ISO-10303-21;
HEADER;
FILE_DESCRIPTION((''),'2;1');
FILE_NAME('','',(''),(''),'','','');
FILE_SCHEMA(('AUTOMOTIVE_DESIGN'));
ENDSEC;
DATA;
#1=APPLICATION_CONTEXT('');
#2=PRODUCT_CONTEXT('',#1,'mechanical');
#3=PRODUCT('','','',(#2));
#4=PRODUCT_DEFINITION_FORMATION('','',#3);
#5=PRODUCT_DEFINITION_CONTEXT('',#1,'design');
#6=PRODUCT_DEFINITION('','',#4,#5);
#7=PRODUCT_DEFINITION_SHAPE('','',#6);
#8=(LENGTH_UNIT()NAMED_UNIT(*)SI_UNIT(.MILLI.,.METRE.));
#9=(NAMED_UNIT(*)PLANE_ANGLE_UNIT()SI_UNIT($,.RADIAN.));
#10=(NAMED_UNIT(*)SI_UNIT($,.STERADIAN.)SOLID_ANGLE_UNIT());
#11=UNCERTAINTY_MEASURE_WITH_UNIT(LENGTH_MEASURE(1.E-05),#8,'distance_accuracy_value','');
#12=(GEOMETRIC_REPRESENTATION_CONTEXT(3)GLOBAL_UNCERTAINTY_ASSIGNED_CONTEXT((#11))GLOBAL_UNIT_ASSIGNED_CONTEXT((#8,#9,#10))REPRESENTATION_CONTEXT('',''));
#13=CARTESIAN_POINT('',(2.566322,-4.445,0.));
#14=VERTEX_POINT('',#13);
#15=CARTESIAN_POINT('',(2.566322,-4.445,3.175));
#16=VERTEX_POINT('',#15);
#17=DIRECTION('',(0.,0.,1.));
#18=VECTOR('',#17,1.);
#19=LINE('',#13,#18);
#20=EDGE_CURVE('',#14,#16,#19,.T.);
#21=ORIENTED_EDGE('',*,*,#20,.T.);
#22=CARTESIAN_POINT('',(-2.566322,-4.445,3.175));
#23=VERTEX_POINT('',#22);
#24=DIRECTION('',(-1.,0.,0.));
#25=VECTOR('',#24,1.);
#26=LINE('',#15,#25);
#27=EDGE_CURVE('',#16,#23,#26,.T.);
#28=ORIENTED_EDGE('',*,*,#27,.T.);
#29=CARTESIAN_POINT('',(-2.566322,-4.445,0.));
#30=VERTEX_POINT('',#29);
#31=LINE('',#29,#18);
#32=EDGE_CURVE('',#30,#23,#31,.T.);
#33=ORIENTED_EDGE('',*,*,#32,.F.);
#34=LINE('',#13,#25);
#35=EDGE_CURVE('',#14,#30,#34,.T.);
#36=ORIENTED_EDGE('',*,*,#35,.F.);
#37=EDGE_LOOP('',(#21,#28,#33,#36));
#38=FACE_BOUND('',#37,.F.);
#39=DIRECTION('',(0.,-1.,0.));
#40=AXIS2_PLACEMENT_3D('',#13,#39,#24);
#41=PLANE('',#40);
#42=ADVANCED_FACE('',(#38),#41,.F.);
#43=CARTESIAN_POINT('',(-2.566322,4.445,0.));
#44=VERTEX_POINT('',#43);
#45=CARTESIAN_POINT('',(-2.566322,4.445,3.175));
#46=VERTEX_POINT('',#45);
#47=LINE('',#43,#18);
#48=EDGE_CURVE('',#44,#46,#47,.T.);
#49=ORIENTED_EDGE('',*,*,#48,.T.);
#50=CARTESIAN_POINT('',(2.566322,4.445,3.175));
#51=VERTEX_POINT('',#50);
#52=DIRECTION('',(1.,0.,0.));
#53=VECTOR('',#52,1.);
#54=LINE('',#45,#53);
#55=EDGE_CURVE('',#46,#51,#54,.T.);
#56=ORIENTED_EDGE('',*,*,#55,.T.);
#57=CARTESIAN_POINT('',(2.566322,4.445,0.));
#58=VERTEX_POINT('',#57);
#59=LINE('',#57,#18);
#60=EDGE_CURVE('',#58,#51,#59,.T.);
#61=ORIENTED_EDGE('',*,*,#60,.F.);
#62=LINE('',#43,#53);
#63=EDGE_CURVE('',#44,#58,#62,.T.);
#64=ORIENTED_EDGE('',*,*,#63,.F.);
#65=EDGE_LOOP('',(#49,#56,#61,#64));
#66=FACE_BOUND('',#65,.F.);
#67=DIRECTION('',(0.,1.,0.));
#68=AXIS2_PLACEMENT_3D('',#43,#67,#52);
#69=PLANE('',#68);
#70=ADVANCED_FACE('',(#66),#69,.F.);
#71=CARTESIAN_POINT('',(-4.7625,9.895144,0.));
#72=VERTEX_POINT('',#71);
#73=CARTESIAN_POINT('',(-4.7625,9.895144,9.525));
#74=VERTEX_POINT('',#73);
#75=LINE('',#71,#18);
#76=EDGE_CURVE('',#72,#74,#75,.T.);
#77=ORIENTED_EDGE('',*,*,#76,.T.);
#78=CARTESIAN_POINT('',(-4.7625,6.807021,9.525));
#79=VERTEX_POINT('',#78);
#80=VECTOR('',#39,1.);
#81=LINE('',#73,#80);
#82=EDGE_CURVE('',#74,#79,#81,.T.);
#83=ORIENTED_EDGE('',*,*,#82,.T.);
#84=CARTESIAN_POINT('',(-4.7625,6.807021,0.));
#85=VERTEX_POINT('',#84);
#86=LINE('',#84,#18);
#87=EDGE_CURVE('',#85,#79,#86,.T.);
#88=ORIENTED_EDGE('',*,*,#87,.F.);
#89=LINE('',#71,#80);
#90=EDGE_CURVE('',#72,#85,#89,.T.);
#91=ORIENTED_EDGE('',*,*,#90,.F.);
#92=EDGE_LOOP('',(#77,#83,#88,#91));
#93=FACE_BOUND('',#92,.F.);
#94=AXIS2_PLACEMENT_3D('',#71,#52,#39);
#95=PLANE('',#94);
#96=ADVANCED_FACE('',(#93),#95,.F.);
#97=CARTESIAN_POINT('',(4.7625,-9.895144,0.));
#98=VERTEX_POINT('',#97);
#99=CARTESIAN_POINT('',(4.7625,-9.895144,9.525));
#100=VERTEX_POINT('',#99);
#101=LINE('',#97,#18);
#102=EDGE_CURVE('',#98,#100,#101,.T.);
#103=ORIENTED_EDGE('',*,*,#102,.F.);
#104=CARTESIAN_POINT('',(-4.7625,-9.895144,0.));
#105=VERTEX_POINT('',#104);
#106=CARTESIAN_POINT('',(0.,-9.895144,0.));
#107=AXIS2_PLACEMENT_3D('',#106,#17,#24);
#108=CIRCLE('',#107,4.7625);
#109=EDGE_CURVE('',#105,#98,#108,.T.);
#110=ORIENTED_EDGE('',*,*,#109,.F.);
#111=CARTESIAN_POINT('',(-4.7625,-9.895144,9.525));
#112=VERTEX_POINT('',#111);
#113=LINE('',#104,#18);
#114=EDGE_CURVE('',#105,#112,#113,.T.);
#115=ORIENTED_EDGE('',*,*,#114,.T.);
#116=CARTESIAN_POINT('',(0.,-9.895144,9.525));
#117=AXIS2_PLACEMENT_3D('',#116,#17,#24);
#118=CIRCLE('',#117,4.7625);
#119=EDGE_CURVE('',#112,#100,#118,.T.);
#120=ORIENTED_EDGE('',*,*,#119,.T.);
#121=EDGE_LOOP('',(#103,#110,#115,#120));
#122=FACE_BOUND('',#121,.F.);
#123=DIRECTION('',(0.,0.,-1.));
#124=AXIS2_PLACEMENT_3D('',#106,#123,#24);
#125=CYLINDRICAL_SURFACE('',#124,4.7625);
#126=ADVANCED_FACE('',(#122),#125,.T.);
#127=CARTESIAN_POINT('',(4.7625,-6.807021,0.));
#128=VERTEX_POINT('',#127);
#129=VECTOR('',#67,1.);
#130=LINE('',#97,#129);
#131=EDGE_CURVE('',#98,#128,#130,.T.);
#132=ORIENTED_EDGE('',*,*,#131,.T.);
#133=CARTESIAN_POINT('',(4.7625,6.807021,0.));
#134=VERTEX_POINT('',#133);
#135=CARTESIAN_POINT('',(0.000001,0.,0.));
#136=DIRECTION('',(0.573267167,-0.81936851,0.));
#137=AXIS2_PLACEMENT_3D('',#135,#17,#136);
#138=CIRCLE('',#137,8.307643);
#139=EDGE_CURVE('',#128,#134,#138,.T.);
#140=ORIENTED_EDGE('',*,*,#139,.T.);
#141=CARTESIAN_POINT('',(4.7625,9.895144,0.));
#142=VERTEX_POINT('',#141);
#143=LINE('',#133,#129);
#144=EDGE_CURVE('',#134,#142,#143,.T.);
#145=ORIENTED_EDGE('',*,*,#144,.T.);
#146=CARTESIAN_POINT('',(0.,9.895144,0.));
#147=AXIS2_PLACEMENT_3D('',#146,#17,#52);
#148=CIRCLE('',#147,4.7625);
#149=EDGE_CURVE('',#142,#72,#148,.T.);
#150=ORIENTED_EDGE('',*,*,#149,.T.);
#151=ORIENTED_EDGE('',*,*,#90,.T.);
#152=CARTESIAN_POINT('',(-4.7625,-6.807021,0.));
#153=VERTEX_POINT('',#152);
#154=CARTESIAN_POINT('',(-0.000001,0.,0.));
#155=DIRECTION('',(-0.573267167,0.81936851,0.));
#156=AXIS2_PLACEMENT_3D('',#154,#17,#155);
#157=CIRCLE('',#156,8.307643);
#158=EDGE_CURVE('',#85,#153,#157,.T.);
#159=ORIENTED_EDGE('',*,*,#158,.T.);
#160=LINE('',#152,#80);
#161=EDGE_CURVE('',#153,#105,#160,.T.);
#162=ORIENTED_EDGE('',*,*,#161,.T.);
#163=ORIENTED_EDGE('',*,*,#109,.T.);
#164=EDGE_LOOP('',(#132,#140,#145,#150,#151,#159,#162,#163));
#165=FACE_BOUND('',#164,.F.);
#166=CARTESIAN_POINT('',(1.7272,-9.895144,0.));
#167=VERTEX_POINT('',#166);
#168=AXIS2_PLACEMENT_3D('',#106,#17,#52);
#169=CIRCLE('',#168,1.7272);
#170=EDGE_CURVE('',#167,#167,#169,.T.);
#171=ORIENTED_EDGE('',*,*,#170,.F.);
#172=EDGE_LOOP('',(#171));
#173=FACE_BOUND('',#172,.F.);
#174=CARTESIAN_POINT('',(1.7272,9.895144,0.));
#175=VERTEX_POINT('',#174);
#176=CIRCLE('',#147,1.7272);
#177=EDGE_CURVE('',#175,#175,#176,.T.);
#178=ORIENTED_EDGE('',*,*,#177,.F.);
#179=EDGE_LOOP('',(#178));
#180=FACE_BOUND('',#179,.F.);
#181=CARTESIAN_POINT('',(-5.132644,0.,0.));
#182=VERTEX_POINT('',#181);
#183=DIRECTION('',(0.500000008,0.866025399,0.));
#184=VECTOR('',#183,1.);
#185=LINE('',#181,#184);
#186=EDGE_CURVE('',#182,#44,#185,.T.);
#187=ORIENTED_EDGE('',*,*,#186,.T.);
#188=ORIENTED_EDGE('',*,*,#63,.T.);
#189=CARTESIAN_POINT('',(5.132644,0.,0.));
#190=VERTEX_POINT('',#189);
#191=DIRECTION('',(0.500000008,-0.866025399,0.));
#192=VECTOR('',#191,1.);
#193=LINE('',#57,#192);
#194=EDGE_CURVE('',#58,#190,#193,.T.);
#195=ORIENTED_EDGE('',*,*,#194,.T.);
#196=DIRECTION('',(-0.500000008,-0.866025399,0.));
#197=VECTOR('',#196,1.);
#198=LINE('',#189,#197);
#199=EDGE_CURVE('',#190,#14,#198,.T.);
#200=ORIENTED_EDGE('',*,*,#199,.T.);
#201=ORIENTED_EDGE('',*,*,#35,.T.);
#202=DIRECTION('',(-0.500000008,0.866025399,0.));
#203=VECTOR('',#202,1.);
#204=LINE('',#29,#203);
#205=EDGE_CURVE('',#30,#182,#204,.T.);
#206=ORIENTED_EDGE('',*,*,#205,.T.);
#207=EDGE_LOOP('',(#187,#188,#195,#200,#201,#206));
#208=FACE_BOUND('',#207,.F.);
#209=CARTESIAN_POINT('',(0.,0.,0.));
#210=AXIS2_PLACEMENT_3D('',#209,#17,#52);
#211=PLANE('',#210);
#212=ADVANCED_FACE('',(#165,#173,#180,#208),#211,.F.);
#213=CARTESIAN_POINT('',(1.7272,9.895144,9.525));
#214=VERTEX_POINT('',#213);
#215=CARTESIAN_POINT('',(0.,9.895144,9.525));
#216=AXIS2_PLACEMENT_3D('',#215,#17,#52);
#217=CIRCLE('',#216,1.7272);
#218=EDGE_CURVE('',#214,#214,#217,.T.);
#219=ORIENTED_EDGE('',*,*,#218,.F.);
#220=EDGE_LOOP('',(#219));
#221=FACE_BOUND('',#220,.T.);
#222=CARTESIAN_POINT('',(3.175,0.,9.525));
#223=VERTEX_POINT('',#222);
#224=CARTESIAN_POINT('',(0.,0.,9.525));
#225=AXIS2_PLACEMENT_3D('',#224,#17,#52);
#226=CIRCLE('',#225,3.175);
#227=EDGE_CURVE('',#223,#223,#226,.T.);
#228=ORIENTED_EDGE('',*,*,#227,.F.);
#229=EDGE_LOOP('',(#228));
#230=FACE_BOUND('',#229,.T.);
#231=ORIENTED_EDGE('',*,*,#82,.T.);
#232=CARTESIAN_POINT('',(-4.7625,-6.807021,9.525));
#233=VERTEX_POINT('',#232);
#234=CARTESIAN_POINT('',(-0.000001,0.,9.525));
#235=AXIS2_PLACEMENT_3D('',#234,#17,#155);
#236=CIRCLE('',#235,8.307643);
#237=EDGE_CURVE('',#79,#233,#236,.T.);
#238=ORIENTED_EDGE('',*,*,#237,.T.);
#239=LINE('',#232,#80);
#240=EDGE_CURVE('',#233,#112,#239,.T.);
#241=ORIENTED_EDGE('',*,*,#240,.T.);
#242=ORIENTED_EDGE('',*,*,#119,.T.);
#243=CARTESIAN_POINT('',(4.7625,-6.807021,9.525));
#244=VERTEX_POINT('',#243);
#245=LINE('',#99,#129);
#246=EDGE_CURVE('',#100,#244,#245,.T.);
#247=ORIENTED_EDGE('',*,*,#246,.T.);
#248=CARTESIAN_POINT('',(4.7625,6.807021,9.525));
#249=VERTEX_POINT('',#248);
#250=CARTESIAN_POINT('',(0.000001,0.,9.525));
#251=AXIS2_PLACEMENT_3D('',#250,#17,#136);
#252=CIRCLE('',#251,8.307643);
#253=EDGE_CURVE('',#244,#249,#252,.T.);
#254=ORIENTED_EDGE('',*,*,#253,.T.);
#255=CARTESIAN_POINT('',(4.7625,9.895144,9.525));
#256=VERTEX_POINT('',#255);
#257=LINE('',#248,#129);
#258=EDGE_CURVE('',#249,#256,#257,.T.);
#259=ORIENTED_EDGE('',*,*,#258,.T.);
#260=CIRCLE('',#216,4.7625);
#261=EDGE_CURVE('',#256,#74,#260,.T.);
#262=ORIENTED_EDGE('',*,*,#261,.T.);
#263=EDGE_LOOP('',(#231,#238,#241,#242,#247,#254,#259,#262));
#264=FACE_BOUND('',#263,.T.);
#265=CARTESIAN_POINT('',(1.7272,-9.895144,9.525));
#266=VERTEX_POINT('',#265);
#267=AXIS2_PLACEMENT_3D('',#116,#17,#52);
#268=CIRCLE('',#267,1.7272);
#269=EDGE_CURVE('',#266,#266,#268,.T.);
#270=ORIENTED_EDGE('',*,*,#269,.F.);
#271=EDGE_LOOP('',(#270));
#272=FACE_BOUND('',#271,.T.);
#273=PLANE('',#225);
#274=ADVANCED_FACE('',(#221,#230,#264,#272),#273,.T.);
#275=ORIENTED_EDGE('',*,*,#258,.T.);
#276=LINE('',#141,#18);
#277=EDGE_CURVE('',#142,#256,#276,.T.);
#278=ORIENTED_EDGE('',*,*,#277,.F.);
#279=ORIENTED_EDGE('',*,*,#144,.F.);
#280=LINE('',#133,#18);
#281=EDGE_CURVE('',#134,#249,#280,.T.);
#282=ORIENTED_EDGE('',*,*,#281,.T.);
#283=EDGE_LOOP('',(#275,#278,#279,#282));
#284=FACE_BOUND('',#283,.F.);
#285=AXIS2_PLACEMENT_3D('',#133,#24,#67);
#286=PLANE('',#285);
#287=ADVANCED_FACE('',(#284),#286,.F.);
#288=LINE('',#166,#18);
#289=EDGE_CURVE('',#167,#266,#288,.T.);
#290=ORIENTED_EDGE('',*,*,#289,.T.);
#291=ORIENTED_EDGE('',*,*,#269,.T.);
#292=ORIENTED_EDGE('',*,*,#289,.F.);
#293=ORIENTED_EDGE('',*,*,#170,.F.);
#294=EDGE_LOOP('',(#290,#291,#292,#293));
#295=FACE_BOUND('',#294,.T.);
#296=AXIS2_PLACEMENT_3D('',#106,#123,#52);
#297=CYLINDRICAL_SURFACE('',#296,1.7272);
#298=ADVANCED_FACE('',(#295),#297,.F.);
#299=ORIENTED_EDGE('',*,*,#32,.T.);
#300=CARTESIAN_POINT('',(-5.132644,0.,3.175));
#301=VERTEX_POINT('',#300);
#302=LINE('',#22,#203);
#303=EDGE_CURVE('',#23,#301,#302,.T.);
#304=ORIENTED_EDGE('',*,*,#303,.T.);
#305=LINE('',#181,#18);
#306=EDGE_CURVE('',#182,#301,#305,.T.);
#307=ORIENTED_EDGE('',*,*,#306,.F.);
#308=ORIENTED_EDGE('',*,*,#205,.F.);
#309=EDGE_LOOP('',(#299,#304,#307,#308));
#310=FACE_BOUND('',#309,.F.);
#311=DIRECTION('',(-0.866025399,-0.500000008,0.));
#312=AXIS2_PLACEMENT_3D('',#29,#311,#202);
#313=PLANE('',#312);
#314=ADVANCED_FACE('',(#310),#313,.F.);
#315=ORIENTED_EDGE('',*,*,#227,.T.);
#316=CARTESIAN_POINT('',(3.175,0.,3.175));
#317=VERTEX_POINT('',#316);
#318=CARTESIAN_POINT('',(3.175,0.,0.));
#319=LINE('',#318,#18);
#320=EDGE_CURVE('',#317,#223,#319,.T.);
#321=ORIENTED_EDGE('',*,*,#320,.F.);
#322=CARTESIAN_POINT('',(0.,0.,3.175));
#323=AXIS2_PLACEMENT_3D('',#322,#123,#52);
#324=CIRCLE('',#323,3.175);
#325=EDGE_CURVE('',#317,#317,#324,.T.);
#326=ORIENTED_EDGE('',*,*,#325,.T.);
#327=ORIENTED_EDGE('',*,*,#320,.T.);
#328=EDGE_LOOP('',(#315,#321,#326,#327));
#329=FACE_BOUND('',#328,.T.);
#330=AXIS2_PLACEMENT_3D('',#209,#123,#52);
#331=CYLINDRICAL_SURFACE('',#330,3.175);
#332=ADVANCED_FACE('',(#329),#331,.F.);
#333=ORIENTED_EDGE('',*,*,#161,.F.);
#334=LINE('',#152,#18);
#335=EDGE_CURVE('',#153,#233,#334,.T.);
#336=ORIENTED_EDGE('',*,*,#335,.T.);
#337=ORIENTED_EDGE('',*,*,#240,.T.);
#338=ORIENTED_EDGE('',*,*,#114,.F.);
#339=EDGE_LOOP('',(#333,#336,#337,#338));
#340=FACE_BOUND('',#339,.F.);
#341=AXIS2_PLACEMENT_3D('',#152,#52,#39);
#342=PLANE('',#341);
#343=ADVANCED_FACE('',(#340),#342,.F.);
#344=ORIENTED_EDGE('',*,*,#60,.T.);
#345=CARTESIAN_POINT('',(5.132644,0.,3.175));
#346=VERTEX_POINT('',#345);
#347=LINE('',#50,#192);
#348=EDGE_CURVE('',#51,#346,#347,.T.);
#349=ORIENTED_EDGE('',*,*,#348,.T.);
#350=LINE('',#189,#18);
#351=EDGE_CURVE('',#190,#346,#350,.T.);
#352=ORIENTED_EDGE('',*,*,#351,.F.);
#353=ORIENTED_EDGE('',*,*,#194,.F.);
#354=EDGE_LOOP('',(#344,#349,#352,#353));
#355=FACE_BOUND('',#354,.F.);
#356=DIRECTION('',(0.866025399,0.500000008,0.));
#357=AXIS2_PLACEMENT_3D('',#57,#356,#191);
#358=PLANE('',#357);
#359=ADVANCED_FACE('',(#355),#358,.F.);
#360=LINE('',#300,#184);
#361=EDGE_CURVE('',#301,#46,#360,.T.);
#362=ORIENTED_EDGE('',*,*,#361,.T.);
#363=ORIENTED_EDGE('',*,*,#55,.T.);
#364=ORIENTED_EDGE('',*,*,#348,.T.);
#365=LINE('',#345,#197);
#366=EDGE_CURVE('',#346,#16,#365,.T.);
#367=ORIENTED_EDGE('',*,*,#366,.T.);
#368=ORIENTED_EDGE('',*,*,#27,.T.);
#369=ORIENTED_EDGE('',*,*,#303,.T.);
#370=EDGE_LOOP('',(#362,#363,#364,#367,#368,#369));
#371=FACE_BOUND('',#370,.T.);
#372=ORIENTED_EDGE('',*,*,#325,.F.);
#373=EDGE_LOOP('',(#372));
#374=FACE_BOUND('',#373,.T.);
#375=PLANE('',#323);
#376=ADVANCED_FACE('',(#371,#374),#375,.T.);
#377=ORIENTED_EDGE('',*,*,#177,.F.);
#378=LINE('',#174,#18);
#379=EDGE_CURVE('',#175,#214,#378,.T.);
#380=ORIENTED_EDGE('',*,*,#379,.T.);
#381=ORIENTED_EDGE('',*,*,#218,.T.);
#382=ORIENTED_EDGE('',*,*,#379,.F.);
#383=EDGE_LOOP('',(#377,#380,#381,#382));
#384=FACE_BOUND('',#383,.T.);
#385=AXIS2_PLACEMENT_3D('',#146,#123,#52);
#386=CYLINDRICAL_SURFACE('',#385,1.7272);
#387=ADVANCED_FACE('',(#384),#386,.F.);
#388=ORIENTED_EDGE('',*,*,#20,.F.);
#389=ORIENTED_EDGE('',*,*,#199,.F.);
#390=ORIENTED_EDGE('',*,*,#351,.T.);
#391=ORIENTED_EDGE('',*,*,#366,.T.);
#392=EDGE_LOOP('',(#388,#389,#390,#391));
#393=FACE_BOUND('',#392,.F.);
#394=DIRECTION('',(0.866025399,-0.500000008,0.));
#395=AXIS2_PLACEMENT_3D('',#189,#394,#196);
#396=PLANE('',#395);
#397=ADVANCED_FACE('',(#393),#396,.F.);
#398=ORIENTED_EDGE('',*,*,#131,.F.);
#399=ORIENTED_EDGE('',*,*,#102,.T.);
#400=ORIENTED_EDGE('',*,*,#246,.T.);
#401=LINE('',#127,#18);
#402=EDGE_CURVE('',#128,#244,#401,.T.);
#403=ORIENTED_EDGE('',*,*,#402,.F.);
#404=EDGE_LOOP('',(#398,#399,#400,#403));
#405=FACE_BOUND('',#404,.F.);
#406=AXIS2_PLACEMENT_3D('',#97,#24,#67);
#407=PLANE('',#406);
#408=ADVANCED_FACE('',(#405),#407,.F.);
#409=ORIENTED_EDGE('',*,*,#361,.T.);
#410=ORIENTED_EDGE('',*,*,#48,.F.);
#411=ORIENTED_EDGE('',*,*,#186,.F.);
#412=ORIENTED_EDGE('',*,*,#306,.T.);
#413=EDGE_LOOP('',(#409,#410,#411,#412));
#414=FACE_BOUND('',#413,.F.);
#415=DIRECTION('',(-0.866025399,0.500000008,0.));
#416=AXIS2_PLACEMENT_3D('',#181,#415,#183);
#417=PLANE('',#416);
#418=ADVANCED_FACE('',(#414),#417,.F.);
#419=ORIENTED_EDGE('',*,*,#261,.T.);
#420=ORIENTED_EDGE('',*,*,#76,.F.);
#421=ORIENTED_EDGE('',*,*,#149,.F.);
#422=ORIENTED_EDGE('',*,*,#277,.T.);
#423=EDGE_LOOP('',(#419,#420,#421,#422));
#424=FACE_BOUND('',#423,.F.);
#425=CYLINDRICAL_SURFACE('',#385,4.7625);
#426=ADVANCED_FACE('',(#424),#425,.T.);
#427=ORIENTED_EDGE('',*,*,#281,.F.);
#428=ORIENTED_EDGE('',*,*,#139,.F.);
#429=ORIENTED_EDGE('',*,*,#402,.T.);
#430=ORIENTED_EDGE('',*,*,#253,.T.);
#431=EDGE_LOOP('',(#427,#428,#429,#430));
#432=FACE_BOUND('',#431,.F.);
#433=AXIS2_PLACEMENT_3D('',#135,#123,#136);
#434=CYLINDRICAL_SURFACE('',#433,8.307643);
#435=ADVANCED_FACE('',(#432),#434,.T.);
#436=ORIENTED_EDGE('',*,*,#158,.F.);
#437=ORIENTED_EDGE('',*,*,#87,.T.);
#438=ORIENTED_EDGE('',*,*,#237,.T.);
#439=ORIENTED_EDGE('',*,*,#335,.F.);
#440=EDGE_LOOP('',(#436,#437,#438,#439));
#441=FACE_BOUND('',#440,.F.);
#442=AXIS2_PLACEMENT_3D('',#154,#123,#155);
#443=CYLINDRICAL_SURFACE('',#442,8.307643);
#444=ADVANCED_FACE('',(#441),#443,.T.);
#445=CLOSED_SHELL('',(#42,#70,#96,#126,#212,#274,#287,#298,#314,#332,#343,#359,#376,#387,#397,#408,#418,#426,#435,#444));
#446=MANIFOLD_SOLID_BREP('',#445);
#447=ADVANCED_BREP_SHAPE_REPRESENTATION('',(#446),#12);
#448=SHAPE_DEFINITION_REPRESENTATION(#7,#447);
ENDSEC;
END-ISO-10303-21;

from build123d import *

# Parameters (mm, degrees)
F0_R     = 1.7272
F0_R_2   = 3.175
F1_DEPTH = 9.525
F3_DEPTH = 3.175


with BuildPart() as f1:
    # F0 (on Top) → F1 (new body)
    with BuildSketch(Plane.XY):
        with BuildLine():
            Line((-4.7625, 9.895144), (-4.7625, 6.807021))
            ThreePointArc((-4.7625, 6.807021), (-8.307644, 0), (-4.7625, -6.807021))
            Line((-4.7625, -6.807021), (-4.7625, -9.895144))
            ThreePointArc((-4.7625, -9.895144), (0, -14.657644), (4.7625, -9.895144))
            Line((4.7625, -9.895144), (4.7625, -6.807021))
            ThreePointArc((4.7625, -6.807021), (8.307644, 0), (4.7625, 6.807021))
            Line((4.7625, 6.807021), (4.7625, 9.895144))
            ThreePointArc((4.7625, 9.895144), (0, 14.657644), (-4.7625, 9.895144))
        make_face()
        with Locations((0, -9.895144)):
            Circle(F0_R, mode=Mode.SUBTRACT)
        Circle(F0_R_2, mode=Mode.SUBTRACT)
        with Locations((0, 9.895144)):
            Circle(F0_R, mode=Mode.SUBTRACT)
    extrude(amount=F1_DEPTH)

    # F2 (on face) → F3 (cut)
    with BuildSketch(Plane(origin=(0, 0, 0), x_dir=(1, 0, 0), z_dir=(0, 0, -1))):
        Polygon((-2.566322, 4.445), (-5.132644, 0), (-2.566322, -4.445), (2.566322, -4.445), (5.132644, 0), (2.566322, 4.445), align=None)
    extrude(amount=-F3_DEPTH, mode=Mode.SUBTRACT)


solid = f1.part
